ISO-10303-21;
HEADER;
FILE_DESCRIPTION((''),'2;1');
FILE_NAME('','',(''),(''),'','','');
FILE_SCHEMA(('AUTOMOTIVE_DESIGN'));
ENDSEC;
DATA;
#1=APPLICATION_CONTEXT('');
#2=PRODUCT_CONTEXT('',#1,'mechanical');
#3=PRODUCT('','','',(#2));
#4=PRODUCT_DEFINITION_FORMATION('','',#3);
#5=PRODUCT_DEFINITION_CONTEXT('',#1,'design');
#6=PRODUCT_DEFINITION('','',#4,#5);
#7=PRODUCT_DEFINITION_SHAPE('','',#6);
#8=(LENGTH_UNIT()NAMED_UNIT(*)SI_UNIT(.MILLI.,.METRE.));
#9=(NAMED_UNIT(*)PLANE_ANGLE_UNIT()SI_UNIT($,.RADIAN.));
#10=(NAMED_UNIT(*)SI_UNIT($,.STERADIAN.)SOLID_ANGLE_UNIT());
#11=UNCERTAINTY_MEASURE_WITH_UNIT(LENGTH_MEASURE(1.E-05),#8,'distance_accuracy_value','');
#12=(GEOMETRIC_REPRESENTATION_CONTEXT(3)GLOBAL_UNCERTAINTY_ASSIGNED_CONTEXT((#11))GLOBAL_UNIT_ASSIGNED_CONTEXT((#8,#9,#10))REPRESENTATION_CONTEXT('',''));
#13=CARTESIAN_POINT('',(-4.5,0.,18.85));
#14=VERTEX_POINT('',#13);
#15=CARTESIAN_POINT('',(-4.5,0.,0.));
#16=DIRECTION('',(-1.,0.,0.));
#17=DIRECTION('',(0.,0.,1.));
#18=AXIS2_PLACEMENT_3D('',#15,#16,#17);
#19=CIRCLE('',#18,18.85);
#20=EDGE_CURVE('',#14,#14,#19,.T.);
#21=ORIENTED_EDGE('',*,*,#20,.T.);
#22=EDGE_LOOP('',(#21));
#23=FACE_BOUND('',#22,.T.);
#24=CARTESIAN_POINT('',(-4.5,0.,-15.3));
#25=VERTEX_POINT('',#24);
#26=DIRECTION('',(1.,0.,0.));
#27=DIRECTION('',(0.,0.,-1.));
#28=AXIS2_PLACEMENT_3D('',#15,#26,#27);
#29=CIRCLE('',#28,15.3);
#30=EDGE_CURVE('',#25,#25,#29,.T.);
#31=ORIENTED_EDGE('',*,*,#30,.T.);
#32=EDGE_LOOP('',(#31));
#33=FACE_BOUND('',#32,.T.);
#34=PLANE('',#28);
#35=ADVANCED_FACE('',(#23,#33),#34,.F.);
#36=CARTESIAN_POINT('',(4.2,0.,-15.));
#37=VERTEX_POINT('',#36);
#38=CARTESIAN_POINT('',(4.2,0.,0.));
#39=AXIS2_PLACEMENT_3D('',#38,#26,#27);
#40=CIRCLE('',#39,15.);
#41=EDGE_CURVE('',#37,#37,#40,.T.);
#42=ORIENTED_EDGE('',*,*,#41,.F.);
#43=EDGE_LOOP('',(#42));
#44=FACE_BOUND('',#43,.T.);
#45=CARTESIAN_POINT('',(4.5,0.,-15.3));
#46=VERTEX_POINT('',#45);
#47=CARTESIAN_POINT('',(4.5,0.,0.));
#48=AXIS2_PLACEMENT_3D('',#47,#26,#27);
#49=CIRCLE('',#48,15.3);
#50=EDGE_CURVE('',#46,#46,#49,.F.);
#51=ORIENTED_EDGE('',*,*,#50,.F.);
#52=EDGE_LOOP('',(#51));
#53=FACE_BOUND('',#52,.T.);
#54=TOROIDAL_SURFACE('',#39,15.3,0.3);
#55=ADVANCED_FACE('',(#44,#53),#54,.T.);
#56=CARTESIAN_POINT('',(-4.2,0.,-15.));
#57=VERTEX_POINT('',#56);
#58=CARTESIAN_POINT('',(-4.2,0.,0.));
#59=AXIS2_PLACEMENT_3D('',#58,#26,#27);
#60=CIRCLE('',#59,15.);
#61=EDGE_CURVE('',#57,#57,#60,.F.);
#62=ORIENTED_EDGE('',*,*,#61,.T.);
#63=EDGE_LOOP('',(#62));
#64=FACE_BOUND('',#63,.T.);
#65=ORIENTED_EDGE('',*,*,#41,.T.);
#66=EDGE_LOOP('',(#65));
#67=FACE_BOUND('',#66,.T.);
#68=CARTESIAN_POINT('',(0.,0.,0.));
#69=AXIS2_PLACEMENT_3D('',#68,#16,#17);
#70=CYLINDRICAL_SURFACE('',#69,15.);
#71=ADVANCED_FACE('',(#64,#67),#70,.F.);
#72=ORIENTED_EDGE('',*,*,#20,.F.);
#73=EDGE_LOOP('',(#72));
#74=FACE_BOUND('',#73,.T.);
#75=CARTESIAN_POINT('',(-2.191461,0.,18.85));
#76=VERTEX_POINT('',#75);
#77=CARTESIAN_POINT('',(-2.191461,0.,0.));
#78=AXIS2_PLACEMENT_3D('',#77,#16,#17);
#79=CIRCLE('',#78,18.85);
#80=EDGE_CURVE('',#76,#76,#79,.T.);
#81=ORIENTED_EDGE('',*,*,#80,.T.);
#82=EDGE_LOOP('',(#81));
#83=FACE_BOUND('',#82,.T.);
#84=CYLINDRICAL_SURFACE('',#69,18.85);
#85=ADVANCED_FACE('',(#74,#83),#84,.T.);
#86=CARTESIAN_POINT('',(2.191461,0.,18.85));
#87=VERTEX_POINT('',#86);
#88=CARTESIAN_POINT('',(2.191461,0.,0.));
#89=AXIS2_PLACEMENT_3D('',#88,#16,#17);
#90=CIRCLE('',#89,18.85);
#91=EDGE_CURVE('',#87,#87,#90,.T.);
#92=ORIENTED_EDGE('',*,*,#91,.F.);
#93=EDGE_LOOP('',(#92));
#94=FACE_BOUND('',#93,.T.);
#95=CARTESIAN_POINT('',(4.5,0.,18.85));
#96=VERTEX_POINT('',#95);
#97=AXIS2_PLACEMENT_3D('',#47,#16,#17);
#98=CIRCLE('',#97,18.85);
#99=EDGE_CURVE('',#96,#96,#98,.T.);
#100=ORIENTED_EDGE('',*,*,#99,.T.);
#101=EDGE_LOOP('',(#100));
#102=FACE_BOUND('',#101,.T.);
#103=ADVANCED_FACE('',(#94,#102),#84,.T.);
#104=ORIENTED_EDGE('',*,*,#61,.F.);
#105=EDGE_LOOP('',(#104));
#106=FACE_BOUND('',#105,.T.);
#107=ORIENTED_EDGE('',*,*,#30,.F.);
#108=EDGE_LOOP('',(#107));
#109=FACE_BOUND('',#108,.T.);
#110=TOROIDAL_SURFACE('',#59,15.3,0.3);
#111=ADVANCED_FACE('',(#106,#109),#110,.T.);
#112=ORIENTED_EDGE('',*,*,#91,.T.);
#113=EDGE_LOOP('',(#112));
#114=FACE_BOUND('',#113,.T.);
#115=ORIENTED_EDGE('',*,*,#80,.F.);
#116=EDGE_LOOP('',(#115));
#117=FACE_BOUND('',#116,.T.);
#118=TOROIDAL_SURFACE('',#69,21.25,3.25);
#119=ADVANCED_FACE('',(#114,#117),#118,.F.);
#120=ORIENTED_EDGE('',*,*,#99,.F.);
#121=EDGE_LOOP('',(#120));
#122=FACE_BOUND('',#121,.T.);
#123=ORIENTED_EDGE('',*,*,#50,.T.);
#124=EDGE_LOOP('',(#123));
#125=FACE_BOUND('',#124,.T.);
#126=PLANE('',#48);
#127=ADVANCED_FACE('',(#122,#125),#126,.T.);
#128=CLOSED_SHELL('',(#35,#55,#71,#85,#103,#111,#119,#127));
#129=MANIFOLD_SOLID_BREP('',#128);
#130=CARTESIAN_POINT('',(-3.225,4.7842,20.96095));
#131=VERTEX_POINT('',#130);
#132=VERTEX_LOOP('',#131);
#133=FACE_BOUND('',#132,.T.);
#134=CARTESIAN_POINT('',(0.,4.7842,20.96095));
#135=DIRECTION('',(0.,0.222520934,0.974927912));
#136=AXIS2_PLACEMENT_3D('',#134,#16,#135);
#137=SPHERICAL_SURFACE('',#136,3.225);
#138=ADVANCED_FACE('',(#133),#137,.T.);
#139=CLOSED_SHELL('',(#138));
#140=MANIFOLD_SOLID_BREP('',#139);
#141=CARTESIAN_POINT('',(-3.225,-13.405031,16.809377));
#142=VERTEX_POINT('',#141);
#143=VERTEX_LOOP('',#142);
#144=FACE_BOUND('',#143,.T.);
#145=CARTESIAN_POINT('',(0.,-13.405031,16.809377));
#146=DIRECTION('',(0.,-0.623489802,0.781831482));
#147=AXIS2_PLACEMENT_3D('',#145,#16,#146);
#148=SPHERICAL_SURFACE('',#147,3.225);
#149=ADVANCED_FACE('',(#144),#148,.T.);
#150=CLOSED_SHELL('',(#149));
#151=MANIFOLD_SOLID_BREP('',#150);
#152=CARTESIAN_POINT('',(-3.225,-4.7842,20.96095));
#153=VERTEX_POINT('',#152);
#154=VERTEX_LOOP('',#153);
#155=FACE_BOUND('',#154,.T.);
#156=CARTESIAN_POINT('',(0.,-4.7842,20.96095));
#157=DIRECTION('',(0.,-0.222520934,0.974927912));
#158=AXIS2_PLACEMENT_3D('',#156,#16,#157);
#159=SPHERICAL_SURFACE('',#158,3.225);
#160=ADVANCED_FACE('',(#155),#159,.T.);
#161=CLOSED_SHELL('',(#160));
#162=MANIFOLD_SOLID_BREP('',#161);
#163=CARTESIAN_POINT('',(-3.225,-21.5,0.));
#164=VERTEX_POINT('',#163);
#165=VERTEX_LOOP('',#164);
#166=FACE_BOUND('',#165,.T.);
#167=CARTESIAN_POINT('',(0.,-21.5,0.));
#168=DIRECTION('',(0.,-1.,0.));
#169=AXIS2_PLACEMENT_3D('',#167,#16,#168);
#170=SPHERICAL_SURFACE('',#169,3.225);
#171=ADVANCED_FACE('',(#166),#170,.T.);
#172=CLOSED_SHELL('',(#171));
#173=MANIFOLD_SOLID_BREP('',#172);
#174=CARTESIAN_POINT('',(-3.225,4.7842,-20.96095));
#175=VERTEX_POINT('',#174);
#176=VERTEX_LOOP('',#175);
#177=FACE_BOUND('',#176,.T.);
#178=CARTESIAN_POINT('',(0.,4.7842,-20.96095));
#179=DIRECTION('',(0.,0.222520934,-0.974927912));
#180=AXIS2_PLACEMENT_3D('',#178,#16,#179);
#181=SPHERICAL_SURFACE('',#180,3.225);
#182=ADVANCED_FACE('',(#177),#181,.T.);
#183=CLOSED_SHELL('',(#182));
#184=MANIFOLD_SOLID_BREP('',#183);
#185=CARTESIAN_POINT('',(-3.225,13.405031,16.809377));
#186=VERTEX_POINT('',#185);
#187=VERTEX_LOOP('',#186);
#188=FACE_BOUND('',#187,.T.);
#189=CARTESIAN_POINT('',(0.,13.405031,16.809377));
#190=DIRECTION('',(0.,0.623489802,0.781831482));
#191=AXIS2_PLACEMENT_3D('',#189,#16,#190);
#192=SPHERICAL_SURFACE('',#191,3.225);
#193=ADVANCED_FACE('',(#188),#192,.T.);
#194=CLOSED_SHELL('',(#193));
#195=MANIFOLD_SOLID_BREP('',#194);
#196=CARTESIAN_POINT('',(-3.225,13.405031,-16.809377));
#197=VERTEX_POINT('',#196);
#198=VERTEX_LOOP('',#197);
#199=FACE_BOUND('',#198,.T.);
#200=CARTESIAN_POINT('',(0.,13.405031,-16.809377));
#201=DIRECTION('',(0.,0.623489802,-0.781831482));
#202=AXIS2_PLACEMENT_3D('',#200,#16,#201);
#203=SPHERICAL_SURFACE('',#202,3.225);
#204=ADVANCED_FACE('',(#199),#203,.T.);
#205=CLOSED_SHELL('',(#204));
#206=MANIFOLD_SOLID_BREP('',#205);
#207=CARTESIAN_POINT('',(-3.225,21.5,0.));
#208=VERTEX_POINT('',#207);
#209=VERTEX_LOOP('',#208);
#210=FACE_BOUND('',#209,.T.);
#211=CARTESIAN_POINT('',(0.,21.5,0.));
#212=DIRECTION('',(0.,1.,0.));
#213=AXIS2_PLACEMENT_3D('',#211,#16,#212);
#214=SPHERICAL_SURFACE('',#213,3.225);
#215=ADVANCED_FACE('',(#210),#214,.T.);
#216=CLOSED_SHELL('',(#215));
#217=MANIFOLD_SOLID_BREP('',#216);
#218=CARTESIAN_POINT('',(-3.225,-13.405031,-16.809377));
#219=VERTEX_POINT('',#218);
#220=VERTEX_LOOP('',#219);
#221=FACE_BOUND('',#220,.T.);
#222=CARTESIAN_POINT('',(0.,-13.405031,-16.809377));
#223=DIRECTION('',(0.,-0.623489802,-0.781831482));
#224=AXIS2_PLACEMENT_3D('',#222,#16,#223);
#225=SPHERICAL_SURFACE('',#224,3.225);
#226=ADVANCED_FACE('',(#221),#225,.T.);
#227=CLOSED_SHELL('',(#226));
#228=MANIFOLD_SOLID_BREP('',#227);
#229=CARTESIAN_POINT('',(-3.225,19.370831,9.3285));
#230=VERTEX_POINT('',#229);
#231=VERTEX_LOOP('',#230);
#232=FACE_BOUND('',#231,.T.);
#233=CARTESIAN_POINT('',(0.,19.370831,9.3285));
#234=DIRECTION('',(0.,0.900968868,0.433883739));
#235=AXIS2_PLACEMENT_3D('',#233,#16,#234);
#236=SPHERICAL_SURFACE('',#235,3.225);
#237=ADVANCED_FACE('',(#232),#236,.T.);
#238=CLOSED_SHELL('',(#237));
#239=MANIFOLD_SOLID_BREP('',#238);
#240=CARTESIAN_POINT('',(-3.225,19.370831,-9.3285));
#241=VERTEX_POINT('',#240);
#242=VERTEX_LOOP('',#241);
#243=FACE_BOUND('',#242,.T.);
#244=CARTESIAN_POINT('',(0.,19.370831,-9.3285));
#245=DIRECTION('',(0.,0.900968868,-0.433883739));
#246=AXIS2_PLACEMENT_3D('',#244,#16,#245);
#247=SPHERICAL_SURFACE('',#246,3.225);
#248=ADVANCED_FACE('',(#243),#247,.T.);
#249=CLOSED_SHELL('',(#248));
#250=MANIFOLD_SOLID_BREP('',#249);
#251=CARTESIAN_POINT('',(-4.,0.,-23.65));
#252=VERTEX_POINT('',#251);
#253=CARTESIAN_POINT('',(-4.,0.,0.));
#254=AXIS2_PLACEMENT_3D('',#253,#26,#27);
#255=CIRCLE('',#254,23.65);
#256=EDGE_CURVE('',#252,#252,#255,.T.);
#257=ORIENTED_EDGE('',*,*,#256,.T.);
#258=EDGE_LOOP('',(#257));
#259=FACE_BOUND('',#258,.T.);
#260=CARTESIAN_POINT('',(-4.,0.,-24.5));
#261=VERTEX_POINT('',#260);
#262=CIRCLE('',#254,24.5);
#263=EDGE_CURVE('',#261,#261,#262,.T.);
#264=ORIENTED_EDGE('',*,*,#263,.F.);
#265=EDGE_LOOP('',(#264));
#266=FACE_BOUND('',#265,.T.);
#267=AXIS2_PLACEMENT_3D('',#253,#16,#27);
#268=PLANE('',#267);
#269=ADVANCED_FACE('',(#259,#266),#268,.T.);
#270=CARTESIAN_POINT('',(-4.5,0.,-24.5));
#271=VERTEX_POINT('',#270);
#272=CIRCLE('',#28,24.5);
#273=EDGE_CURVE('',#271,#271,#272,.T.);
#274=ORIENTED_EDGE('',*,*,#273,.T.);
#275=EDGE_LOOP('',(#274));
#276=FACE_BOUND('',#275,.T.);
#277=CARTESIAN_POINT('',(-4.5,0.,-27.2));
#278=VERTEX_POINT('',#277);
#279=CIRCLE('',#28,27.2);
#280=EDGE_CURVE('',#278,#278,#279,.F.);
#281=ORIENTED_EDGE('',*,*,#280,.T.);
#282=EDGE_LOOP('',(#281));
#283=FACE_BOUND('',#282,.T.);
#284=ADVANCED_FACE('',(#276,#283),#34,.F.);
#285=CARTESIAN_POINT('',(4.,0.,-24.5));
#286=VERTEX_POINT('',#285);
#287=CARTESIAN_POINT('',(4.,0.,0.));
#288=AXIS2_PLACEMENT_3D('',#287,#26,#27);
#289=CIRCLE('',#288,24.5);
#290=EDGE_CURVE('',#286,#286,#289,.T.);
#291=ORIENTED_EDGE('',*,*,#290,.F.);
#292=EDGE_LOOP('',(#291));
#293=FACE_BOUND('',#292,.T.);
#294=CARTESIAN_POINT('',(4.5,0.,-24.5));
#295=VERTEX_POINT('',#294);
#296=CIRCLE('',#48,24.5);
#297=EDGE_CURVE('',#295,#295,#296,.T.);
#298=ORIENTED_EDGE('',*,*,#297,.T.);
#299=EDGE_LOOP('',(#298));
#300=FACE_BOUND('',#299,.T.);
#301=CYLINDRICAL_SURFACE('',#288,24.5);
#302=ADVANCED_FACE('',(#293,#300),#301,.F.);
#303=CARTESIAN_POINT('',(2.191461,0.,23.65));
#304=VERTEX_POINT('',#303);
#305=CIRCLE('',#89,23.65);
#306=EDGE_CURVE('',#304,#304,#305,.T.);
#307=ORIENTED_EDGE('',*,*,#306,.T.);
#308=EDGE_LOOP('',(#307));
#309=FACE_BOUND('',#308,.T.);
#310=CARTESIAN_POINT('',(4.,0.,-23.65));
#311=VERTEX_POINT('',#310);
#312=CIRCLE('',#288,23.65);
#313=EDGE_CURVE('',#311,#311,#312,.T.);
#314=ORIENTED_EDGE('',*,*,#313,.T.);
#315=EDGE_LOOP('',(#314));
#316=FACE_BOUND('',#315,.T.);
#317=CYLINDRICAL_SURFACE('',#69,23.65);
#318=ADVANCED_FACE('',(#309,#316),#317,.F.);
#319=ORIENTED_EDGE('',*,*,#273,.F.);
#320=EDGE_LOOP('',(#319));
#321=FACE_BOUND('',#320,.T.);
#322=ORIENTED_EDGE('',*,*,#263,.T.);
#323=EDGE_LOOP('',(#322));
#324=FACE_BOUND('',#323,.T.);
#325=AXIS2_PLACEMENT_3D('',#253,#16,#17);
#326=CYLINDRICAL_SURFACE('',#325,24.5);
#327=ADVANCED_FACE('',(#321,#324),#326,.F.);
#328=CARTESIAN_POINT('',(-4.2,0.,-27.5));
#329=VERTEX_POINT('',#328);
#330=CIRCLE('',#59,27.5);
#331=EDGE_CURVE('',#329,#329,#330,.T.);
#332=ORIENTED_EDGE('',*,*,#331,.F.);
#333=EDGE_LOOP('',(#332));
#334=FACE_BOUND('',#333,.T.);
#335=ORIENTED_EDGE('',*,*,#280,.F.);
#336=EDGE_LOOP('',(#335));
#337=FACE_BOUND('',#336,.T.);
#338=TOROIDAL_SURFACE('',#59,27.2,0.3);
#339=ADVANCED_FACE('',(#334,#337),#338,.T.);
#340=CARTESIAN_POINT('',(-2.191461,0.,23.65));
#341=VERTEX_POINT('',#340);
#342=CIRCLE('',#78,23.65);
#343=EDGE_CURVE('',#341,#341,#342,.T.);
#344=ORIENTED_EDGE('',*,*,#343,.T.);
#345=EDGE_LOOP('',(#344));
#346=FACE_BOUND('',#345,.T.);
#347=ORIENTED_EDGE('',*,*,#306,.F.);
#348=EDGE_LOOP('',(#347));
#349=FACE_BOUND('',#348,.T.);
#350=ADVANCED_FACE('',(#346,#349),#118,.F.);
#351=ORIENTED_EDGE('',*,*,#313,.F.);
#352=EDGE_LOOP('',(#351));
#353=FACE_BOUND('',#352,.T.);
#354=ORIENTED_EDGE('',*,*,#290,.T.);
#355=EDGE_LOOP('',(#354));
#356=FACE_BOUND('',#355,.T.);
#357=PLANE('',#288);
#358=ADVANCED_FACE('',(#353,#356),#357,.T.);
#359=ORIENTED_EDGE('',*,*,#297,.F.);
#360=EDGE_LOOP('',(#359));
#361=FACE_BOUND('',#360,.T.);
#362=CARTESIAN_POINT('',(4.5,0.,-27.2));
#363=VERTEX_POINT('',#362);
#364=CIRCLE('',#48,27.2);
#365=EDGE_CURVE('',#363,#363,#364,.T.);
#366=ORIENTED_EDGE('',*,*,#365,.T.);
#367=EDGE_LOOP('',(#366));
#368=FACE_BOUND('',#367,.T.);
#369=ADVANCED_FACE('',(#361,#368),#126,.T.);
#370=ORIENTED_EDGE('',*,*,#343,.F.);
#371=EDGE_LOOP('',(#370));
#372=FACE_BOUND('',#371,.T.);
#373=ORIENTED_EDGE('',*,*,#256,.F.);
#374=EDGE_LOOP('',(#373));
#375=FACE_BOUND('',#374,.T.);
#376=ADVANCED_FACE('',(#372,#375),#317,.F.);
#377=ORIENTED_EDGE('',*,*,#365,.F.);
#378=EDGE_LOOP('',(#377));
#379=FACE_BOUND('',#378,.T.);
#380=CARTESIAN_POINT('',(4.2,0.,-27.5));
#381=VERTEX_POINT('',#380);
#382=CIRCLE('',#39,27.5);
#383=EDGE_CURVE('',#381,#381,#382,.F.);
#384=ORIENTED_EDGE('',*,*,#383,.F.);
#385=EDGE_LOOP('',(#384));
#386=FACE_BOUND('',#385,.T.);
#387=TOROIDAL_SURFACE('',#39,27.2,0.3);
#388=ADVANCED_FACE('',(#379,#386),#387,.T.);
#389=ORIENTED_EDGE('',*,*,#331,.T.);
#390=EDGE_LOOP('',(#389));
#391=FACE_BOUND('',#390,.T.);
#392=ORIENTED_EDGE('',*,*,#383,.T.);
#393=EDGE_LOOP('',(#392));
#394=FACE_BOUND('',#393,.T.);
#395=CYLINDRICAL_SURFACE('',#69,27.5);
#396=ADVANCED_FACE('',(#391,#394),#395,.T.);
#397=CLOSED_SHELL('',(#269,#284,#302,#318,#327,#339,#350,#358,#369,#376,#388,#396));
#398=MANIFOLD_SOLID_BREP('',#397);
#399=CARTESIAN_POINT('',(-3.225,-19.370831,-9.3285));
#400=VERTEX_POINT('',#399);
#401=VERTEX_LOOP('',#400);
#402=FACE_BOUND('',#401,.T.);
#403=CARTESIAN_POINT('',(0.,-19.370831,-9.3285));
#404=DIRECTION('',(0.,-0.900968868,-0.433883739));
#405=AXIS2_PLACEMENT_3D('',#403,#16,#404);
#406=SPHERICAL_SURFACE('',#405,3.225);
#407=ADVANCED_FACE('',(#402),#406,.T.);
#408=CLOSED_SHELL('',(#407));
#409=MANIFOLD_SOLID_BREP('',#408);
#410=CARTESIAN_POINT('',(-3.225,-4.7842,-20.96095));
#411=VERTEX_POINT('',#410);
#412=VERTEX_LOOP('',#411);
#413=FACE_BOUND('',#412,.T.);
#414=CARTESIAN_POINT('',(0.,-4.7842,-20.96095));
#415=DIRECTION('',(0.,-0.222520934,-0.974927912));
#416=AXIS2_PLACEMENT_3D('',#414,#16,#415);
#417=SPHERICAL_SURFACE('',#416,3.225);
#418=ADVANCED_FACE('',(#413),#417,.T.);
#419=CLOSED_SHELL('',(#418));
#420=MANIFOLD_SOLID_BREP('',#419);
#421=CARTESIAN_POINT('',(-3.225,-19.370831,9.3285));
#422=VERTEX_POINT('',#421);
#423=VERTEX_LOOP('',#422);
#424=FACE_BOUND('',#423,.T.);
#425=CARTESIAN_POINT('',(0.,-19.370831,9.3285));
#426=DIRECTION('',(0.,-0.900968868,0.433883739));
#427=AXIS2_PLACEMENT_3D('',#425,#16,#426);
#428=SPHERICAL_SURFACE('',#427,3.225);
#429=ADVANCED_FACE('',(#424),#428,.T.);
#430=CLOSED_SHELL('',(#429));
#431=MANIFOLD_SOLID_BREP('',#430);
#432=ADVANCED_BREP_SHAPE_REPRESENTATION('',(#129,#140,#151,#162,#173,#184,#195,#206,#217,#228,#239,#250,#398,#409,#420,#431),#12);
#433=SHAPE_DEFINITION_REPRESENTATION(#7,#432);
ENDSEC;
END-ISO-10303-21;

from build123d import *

# Parameters (mm, degrees)
SKETCH2_R          = 24.5
SKETCH2_R_2        = 23.65
CUT_EXTRUDE1_DEPTH = 0.5
FILLET1_R          = 0.3
FILLET2_R          = 0.3
CIRPATTERN4_COUNT  = 14


with BuildPart() as part:
    # Sketch1 → Revolve1 (revolve)
    with BuildSketch(Plane.XY, mode=Mode.PRIVATE) as revolve1_sk:
        with BuildLine():
            Line((4.5, 23.65), (4.5, 27.5))
            Line((4.5, 27.5), (-4.5, 27.5))
            Line((-4.5, 27.5), (-4.5, 23.65))
            Line((-4.5, 23.65), (-2.1914607, 23.65))
            ThreePointArc((-2.1914607, 23.65), (0, 24.5), (2.1914607, 23.65))
            Line((2.1914607, 23.65), (4.5, 23.65))
        make_face()
        with BuildLine():
            ThreePointArc((2.1914607, 18.85), (0, 18), (-2.1914607, 18.85))
            Line((-2.1914607, 18.85), (-4.5, 18.85))
            Line((-4.5, 18.85), (-4.5, 15))
            Line((-4.5, 15), (4.5, 15))
            Line((4.5, 15), (4.5, 18.85))
            Line((4.5, 18.85), (2.1914607, 18.85))
        make_face()
    revolve(revolve1_sk.sketch.rotate(Axis((0, 0, 0), (1, 0, 0)), 90), axis=Axis((0, 0, 0), (1, 0, 0)))

    # Sketch2 → Cut-Extrude1 (cut)
    with BuildSketch(Plane(origin=(4.5, 0, 0), x_dir=(0, 0, -1), z_dir=(1, 0, 0))):
        Circle(SKETCH2_R)
        with Locations(Location((0, 0, 0), (0, 0, 180))):
            Circle(SKETCH2_R_2, mode=Mode.SUBTRACT)
    cut_extrude1 = extrude(amount=-CUT_EXTRUDE1_DEPTH, mode=Mode.SUBTRACT)

    # Mirror1: Cut-Extrude1 across plane
    add(cut_extrude1.mirror(Plane(origin=(0, 0, 0), x_dir=(0, 0, 1), z_dir=(1, 0, 0))), mode=Mode.SUBTRACT)

    # Fillet1
    fillet1_edges = [part.edges().sort_by_distance(p)[0] for p in [
        (-4.5, 0, -27.5),
        (4.5, 0, -27.5),
    ]]
    fillet(fillet1_edges, radius=FILLET1_R)

    # Fillet2
    fillet2_edges = [part.edges().sort_by_distance(p)[0] for p in [
        (4.5, 0, -15),
        (-4.5, 0, -15),
    ]]
    fillet(fillet2_edges, radius=FILLET2_R)


with BuildPart() as body_2:
    # Sketch3 → Revolve2 (revolve)
    with BuildSketch(Plane.XY):
        with BuildLine():
            Line((-3.225, 21.5), (3.225, 21.5))
            ThreePointArc((3.225, 21.5), (0, 24.725), (-3.225, 21.5))
        make_face()
    revolve(axis=Axis((-3.225, 21.5, 0), (1, 0, 0)))


with BuildPart() as cirpattern4_1:
    # CirPattern4: pattern copy
    add(body_2.part.rotate(Axis((0, 0, 0), (1, 0, 0)), 1 * 360 / CIRPATTERN4_COUNT))


with BuildPart() as cirpattern4_2:
    # CirPattern4: pattern copy
    add(body_2.part.rotate(Axis((0, 0, 0), (1, 0, 0)), 2 * 360 / CIRPATTERN4_COUNT))


with BuildPart() as cirpattern4_3:
    # CirPattern4: pattern copy
    add(body_2.part.rotate(Axis((0, 0, 0), (1, 0, 0)), 3 * 360 / CIRPATTERN4_COUNT))


with BuildPart() as cirpattern4_4:
    # CirPattern4: pattern copy
    add(body_2.part.rotate(Axis((0, 0, 0), (1, 0, 0)), 4 * 360 / CIRPATTERN4_COUNT))


with BuildPart() as cirpattern4_5:
    # CirPattern4: pattern copy
    add(body_2.part.rotate(Axis((0, 0, 0), (1, 0, 0)), 5 * 360 / CIRPATTERN4_COUNT))


with BuildPart() as cirpattern4_6:
    # CirPattern4: pattern copy
    add(body_2.part.rotate(Axis((0, 0, 0), (1, 0, 0)), 6 * 360 / CIRPATTERN4_COUNT))


with BuildPart() as cirpattern4_7:
    # CirPattern4: pattern copy
    add(body_2.part.rotate(Axis((0, 0, 0), (1, 0, 0)), 7 * 360 / CIRPATTERN4_COUNT))


with BuildPart() as cirpattern4_8:
    # CirPattern4: pattern copy
    add(body_2.part.rotate(Axis((0, 0, 0), (1, 0, 0)), 8 * 360 / CIRPATTERN4_COUNT))


with BuildPart() as cirpattern4_9:
    # CirPattern4: pattern copy
    add(body_2.part.rotate(Axis((0, 0, 0), (1, 0, 0)), 9 * 360 / CIRPATTERN4_COUNT))


with BuildPart() as cirpattern4_10:
    # CirPattern4: pattern copy
    add(body_2.part.rotate(Axis((0, 0, 0), (1, 0, 0)), 10 * 360 / CIRPATTERN4_COUNT))


with BuildPart() as cirpattern4_11:
    # CirPattern4: pattern copy
    add(body_2.part.rotate(Axis((0, 0, 0), (1, 0, 0)), 11 * 360 / CIRPATTERN4_COUNT))


with BuildPart() as cirpattern4_12:
    # CirPattern4: pattern copy
    add(body_2.part.rotate(Axis((0, 0, 0), (1, 0, 0)), 12 * 360 / CIRPATTERN4_COUNT))


with BuildPart() as cirpattern4_13:
    # CirPattern4: pattern copy
    add(body_2.part.rotate(Axis((0, 0, 0), (1, 0, 0)), 13 * 360 / CIRPATTERN4_COUNT))


solid = Compound([part.part, body_2.part, cirpattern4_1.part, cirpattern4_2.part, cirpattern4_3.part, cirpattern4_4.part, cirpattern4_5.part, cirpattern4_6.part, cirpattern4_7.part, cirpattern4_8.part, cirpattern4_9.part, cirpattern4_10.part, cirpattern4_11.part, cirpattern4_12.part, cirpattern4_13.part])
